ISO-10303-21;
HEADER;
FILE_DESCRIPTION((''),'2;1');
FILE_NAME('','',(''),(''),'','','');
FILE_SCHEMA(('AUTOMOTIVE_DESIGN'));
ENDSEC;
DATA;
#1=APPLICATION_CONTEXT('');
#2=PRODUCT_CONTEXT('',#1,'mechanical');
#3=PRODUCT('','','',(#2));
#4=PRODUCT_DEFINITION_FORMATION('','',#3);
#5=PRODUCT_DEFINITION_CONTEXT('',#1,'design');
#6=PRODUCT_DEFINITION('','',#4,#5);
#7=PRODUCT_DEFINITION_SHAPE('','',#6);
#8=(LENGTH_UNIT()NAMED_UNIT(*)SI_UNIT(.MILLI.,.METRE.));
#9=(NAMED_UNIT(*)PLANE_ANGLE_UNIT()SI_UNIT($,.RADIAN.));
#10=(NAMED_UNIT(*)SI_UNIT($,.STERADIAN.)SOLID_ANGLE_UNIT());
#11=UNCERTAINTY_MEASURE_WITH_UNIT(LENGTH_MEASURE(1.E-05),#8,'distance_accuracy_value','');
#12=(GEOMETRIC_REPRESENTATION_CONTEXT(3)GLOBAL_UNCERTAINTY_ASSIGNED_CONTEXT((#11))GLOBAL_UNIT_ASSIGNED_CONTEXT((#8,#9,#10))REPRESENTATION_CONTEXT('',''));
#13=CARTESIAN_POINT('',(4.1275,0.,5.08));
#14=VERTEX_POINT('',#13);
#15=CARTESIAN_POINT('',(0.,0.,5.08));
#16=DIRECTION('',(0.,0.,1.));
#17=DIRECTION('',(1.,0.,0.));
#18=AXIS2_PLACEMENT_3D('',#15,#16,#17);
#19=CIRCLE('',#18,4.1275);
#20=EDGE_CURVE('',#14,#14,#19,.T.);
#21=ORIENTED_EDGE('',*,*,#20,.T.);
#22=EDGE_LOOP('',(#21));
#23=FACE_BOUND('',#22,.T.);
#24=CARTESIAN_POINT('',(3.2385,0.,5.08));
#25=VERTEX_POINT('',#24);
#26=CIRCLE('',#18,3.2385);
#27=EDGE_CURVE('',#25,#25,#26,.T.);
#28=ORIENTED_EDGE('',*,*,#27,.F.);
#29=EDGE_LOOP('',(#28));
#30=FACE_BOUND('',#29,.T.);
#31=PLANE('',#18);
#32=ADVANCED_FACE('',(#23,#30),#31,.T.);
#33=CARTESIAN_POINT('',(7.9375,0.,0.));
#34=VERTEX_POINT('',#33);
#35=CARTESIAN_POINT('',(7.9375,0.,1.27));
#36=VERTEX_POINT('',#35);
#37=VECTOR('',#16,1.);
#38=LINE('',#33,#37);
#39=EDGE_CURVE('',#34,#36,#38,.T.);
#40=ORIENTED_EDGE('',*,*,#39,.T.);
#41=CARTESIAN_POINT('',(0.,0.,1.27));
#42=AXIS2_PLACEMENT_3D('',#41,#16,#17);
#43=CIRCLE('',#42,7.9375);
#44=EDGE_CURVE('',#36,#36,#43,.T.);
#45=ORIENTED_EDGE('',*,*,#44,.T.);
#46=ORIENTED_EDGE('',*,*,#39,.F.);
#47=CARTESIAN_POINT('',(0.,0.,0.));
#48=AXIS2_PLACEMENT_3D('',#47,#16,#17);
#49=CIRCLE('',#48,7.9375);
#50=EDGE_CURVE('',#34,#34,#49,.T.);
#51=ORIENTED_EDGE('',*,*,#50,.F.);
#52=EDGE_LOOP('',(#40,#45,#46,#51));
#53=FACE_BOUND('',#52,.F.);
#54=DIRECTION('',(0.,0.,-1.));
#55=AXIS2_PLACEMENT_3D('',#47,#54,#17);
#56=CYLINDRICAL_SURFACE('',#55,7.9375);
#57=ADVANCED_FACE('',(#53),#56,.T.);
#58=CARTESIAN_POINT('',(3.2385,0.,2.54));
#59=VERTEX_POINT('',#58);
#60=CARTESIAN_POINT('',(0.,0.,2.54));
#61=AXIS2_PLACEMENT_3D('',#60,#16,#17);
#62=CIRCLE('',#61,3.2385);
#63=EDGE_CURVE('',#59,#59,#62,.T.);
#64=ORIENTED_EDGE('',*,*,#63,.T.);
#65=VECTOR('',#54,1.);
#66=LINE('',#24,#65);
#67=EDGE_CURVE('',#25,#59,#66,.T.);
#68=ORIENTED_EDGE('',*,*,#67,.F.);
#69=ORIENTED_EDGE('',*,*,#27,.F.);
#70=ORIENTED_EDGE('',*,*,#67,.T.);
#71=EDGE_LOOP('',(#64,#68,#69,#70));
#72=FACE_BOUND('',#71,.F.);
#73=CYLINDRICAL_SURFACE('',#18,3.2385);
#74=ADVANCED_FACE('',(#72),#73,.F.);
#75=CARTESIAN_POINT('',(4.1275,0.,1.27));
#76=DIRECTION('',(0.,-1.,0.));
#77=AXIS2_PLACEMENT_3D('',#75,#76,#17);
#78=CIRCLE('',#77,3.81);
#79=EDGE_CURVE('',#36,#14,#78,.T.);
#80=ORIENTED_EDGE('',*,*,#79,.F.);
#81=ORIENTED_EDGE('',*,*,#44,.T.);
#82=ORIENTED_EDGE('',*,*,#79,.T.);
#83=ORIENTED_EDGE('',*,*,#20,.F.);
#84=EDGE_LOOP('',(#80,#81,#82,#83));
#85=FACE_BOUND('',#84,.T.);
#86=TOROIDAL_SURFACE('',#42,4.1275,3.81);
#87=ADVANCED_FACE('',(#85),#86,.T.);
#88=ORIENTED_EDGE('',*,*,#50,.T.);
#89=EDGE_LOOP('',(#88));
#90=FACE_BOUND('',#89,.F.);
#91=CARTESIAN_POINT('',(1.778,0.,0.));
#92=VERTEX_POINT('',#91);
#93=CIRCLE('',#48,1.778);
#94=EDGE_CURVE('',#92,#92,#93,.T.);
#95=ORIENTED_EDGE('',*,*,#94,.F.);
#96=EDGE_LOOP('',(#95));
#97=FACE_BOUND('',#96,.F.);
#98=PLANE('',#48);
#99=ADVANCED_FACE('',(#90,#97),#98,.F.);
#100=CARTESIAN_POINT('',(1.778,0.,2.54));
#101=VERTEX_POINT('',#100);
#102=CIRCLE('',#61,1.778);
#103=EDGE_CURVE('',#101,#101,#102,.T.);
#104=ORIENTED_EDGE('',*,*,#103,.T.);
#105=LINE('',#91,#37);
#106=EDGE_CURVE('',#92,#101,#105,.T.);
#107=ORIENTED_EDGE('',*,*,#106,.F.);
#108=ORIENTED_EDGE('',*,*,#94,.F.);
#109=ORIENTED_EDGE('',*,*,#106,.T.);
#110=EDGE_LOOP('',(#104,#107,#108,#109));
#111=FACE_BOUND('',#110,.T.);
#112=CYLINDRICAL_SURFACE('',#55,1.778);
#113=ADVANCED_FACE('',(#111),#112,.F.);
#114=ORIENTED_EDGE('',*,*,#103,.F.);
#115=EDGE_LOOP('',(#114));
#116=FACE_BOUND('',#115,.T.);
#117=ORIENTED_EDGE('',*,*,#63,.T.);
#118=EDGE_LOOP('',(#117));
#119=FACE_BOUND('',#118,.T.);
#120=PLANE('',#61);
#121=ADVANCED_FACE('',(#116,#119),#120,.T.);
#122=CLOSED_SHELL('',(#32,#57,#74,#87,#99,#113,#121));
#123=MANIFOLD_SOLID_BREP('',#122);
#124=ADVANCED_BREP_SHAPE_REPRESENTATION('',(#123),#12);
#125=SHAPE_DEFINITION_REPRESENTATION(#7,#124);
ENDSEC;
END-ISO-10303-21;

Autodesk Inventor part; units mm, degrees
ref_plane "YZ Plane" through (0, 0, 0) normal (1, 0, 0) x (0, 1, 0)
ref_plane "XZ Plane" through (0, 0, 0) normal (0, 1, 0) x (-1, 0, 0)
ref_plane "XY Plane" through (0, 0, 0) normal (0, 0, 1) x (1, 0, 0)
sketch "Sketch1" plane through (0, 0, 0) normal (0, 0, 1) x (1, 0, 0)
  circle A0 centre (0, 0) radius 1.778
  circle A1 centre (0, 0) radius 7.9375
  dimension "d0" = 3.556
  dimension "d1" = 15.875
extrude "Extrusion1" add sketch "Sketch1" along normal blind 5.08
sketch "Sketch2" plane through (0, 0, 5.08) normal (0, 0, 1) x (1, 0, 0)
  circle A0 centre (0, 0) radius 1.778 projected
  circle A1 centre (0, 0) radius 3.2385
  dimension "d4" = 6.477
extrude "Extrusion2" cut sketch "Sketch2" against normal blind 2.54
fillet "Fillet1" radius 3.81 1 edges at (-7.9375, 0, 5.08)
properties part number "HANDLE WASHER"
